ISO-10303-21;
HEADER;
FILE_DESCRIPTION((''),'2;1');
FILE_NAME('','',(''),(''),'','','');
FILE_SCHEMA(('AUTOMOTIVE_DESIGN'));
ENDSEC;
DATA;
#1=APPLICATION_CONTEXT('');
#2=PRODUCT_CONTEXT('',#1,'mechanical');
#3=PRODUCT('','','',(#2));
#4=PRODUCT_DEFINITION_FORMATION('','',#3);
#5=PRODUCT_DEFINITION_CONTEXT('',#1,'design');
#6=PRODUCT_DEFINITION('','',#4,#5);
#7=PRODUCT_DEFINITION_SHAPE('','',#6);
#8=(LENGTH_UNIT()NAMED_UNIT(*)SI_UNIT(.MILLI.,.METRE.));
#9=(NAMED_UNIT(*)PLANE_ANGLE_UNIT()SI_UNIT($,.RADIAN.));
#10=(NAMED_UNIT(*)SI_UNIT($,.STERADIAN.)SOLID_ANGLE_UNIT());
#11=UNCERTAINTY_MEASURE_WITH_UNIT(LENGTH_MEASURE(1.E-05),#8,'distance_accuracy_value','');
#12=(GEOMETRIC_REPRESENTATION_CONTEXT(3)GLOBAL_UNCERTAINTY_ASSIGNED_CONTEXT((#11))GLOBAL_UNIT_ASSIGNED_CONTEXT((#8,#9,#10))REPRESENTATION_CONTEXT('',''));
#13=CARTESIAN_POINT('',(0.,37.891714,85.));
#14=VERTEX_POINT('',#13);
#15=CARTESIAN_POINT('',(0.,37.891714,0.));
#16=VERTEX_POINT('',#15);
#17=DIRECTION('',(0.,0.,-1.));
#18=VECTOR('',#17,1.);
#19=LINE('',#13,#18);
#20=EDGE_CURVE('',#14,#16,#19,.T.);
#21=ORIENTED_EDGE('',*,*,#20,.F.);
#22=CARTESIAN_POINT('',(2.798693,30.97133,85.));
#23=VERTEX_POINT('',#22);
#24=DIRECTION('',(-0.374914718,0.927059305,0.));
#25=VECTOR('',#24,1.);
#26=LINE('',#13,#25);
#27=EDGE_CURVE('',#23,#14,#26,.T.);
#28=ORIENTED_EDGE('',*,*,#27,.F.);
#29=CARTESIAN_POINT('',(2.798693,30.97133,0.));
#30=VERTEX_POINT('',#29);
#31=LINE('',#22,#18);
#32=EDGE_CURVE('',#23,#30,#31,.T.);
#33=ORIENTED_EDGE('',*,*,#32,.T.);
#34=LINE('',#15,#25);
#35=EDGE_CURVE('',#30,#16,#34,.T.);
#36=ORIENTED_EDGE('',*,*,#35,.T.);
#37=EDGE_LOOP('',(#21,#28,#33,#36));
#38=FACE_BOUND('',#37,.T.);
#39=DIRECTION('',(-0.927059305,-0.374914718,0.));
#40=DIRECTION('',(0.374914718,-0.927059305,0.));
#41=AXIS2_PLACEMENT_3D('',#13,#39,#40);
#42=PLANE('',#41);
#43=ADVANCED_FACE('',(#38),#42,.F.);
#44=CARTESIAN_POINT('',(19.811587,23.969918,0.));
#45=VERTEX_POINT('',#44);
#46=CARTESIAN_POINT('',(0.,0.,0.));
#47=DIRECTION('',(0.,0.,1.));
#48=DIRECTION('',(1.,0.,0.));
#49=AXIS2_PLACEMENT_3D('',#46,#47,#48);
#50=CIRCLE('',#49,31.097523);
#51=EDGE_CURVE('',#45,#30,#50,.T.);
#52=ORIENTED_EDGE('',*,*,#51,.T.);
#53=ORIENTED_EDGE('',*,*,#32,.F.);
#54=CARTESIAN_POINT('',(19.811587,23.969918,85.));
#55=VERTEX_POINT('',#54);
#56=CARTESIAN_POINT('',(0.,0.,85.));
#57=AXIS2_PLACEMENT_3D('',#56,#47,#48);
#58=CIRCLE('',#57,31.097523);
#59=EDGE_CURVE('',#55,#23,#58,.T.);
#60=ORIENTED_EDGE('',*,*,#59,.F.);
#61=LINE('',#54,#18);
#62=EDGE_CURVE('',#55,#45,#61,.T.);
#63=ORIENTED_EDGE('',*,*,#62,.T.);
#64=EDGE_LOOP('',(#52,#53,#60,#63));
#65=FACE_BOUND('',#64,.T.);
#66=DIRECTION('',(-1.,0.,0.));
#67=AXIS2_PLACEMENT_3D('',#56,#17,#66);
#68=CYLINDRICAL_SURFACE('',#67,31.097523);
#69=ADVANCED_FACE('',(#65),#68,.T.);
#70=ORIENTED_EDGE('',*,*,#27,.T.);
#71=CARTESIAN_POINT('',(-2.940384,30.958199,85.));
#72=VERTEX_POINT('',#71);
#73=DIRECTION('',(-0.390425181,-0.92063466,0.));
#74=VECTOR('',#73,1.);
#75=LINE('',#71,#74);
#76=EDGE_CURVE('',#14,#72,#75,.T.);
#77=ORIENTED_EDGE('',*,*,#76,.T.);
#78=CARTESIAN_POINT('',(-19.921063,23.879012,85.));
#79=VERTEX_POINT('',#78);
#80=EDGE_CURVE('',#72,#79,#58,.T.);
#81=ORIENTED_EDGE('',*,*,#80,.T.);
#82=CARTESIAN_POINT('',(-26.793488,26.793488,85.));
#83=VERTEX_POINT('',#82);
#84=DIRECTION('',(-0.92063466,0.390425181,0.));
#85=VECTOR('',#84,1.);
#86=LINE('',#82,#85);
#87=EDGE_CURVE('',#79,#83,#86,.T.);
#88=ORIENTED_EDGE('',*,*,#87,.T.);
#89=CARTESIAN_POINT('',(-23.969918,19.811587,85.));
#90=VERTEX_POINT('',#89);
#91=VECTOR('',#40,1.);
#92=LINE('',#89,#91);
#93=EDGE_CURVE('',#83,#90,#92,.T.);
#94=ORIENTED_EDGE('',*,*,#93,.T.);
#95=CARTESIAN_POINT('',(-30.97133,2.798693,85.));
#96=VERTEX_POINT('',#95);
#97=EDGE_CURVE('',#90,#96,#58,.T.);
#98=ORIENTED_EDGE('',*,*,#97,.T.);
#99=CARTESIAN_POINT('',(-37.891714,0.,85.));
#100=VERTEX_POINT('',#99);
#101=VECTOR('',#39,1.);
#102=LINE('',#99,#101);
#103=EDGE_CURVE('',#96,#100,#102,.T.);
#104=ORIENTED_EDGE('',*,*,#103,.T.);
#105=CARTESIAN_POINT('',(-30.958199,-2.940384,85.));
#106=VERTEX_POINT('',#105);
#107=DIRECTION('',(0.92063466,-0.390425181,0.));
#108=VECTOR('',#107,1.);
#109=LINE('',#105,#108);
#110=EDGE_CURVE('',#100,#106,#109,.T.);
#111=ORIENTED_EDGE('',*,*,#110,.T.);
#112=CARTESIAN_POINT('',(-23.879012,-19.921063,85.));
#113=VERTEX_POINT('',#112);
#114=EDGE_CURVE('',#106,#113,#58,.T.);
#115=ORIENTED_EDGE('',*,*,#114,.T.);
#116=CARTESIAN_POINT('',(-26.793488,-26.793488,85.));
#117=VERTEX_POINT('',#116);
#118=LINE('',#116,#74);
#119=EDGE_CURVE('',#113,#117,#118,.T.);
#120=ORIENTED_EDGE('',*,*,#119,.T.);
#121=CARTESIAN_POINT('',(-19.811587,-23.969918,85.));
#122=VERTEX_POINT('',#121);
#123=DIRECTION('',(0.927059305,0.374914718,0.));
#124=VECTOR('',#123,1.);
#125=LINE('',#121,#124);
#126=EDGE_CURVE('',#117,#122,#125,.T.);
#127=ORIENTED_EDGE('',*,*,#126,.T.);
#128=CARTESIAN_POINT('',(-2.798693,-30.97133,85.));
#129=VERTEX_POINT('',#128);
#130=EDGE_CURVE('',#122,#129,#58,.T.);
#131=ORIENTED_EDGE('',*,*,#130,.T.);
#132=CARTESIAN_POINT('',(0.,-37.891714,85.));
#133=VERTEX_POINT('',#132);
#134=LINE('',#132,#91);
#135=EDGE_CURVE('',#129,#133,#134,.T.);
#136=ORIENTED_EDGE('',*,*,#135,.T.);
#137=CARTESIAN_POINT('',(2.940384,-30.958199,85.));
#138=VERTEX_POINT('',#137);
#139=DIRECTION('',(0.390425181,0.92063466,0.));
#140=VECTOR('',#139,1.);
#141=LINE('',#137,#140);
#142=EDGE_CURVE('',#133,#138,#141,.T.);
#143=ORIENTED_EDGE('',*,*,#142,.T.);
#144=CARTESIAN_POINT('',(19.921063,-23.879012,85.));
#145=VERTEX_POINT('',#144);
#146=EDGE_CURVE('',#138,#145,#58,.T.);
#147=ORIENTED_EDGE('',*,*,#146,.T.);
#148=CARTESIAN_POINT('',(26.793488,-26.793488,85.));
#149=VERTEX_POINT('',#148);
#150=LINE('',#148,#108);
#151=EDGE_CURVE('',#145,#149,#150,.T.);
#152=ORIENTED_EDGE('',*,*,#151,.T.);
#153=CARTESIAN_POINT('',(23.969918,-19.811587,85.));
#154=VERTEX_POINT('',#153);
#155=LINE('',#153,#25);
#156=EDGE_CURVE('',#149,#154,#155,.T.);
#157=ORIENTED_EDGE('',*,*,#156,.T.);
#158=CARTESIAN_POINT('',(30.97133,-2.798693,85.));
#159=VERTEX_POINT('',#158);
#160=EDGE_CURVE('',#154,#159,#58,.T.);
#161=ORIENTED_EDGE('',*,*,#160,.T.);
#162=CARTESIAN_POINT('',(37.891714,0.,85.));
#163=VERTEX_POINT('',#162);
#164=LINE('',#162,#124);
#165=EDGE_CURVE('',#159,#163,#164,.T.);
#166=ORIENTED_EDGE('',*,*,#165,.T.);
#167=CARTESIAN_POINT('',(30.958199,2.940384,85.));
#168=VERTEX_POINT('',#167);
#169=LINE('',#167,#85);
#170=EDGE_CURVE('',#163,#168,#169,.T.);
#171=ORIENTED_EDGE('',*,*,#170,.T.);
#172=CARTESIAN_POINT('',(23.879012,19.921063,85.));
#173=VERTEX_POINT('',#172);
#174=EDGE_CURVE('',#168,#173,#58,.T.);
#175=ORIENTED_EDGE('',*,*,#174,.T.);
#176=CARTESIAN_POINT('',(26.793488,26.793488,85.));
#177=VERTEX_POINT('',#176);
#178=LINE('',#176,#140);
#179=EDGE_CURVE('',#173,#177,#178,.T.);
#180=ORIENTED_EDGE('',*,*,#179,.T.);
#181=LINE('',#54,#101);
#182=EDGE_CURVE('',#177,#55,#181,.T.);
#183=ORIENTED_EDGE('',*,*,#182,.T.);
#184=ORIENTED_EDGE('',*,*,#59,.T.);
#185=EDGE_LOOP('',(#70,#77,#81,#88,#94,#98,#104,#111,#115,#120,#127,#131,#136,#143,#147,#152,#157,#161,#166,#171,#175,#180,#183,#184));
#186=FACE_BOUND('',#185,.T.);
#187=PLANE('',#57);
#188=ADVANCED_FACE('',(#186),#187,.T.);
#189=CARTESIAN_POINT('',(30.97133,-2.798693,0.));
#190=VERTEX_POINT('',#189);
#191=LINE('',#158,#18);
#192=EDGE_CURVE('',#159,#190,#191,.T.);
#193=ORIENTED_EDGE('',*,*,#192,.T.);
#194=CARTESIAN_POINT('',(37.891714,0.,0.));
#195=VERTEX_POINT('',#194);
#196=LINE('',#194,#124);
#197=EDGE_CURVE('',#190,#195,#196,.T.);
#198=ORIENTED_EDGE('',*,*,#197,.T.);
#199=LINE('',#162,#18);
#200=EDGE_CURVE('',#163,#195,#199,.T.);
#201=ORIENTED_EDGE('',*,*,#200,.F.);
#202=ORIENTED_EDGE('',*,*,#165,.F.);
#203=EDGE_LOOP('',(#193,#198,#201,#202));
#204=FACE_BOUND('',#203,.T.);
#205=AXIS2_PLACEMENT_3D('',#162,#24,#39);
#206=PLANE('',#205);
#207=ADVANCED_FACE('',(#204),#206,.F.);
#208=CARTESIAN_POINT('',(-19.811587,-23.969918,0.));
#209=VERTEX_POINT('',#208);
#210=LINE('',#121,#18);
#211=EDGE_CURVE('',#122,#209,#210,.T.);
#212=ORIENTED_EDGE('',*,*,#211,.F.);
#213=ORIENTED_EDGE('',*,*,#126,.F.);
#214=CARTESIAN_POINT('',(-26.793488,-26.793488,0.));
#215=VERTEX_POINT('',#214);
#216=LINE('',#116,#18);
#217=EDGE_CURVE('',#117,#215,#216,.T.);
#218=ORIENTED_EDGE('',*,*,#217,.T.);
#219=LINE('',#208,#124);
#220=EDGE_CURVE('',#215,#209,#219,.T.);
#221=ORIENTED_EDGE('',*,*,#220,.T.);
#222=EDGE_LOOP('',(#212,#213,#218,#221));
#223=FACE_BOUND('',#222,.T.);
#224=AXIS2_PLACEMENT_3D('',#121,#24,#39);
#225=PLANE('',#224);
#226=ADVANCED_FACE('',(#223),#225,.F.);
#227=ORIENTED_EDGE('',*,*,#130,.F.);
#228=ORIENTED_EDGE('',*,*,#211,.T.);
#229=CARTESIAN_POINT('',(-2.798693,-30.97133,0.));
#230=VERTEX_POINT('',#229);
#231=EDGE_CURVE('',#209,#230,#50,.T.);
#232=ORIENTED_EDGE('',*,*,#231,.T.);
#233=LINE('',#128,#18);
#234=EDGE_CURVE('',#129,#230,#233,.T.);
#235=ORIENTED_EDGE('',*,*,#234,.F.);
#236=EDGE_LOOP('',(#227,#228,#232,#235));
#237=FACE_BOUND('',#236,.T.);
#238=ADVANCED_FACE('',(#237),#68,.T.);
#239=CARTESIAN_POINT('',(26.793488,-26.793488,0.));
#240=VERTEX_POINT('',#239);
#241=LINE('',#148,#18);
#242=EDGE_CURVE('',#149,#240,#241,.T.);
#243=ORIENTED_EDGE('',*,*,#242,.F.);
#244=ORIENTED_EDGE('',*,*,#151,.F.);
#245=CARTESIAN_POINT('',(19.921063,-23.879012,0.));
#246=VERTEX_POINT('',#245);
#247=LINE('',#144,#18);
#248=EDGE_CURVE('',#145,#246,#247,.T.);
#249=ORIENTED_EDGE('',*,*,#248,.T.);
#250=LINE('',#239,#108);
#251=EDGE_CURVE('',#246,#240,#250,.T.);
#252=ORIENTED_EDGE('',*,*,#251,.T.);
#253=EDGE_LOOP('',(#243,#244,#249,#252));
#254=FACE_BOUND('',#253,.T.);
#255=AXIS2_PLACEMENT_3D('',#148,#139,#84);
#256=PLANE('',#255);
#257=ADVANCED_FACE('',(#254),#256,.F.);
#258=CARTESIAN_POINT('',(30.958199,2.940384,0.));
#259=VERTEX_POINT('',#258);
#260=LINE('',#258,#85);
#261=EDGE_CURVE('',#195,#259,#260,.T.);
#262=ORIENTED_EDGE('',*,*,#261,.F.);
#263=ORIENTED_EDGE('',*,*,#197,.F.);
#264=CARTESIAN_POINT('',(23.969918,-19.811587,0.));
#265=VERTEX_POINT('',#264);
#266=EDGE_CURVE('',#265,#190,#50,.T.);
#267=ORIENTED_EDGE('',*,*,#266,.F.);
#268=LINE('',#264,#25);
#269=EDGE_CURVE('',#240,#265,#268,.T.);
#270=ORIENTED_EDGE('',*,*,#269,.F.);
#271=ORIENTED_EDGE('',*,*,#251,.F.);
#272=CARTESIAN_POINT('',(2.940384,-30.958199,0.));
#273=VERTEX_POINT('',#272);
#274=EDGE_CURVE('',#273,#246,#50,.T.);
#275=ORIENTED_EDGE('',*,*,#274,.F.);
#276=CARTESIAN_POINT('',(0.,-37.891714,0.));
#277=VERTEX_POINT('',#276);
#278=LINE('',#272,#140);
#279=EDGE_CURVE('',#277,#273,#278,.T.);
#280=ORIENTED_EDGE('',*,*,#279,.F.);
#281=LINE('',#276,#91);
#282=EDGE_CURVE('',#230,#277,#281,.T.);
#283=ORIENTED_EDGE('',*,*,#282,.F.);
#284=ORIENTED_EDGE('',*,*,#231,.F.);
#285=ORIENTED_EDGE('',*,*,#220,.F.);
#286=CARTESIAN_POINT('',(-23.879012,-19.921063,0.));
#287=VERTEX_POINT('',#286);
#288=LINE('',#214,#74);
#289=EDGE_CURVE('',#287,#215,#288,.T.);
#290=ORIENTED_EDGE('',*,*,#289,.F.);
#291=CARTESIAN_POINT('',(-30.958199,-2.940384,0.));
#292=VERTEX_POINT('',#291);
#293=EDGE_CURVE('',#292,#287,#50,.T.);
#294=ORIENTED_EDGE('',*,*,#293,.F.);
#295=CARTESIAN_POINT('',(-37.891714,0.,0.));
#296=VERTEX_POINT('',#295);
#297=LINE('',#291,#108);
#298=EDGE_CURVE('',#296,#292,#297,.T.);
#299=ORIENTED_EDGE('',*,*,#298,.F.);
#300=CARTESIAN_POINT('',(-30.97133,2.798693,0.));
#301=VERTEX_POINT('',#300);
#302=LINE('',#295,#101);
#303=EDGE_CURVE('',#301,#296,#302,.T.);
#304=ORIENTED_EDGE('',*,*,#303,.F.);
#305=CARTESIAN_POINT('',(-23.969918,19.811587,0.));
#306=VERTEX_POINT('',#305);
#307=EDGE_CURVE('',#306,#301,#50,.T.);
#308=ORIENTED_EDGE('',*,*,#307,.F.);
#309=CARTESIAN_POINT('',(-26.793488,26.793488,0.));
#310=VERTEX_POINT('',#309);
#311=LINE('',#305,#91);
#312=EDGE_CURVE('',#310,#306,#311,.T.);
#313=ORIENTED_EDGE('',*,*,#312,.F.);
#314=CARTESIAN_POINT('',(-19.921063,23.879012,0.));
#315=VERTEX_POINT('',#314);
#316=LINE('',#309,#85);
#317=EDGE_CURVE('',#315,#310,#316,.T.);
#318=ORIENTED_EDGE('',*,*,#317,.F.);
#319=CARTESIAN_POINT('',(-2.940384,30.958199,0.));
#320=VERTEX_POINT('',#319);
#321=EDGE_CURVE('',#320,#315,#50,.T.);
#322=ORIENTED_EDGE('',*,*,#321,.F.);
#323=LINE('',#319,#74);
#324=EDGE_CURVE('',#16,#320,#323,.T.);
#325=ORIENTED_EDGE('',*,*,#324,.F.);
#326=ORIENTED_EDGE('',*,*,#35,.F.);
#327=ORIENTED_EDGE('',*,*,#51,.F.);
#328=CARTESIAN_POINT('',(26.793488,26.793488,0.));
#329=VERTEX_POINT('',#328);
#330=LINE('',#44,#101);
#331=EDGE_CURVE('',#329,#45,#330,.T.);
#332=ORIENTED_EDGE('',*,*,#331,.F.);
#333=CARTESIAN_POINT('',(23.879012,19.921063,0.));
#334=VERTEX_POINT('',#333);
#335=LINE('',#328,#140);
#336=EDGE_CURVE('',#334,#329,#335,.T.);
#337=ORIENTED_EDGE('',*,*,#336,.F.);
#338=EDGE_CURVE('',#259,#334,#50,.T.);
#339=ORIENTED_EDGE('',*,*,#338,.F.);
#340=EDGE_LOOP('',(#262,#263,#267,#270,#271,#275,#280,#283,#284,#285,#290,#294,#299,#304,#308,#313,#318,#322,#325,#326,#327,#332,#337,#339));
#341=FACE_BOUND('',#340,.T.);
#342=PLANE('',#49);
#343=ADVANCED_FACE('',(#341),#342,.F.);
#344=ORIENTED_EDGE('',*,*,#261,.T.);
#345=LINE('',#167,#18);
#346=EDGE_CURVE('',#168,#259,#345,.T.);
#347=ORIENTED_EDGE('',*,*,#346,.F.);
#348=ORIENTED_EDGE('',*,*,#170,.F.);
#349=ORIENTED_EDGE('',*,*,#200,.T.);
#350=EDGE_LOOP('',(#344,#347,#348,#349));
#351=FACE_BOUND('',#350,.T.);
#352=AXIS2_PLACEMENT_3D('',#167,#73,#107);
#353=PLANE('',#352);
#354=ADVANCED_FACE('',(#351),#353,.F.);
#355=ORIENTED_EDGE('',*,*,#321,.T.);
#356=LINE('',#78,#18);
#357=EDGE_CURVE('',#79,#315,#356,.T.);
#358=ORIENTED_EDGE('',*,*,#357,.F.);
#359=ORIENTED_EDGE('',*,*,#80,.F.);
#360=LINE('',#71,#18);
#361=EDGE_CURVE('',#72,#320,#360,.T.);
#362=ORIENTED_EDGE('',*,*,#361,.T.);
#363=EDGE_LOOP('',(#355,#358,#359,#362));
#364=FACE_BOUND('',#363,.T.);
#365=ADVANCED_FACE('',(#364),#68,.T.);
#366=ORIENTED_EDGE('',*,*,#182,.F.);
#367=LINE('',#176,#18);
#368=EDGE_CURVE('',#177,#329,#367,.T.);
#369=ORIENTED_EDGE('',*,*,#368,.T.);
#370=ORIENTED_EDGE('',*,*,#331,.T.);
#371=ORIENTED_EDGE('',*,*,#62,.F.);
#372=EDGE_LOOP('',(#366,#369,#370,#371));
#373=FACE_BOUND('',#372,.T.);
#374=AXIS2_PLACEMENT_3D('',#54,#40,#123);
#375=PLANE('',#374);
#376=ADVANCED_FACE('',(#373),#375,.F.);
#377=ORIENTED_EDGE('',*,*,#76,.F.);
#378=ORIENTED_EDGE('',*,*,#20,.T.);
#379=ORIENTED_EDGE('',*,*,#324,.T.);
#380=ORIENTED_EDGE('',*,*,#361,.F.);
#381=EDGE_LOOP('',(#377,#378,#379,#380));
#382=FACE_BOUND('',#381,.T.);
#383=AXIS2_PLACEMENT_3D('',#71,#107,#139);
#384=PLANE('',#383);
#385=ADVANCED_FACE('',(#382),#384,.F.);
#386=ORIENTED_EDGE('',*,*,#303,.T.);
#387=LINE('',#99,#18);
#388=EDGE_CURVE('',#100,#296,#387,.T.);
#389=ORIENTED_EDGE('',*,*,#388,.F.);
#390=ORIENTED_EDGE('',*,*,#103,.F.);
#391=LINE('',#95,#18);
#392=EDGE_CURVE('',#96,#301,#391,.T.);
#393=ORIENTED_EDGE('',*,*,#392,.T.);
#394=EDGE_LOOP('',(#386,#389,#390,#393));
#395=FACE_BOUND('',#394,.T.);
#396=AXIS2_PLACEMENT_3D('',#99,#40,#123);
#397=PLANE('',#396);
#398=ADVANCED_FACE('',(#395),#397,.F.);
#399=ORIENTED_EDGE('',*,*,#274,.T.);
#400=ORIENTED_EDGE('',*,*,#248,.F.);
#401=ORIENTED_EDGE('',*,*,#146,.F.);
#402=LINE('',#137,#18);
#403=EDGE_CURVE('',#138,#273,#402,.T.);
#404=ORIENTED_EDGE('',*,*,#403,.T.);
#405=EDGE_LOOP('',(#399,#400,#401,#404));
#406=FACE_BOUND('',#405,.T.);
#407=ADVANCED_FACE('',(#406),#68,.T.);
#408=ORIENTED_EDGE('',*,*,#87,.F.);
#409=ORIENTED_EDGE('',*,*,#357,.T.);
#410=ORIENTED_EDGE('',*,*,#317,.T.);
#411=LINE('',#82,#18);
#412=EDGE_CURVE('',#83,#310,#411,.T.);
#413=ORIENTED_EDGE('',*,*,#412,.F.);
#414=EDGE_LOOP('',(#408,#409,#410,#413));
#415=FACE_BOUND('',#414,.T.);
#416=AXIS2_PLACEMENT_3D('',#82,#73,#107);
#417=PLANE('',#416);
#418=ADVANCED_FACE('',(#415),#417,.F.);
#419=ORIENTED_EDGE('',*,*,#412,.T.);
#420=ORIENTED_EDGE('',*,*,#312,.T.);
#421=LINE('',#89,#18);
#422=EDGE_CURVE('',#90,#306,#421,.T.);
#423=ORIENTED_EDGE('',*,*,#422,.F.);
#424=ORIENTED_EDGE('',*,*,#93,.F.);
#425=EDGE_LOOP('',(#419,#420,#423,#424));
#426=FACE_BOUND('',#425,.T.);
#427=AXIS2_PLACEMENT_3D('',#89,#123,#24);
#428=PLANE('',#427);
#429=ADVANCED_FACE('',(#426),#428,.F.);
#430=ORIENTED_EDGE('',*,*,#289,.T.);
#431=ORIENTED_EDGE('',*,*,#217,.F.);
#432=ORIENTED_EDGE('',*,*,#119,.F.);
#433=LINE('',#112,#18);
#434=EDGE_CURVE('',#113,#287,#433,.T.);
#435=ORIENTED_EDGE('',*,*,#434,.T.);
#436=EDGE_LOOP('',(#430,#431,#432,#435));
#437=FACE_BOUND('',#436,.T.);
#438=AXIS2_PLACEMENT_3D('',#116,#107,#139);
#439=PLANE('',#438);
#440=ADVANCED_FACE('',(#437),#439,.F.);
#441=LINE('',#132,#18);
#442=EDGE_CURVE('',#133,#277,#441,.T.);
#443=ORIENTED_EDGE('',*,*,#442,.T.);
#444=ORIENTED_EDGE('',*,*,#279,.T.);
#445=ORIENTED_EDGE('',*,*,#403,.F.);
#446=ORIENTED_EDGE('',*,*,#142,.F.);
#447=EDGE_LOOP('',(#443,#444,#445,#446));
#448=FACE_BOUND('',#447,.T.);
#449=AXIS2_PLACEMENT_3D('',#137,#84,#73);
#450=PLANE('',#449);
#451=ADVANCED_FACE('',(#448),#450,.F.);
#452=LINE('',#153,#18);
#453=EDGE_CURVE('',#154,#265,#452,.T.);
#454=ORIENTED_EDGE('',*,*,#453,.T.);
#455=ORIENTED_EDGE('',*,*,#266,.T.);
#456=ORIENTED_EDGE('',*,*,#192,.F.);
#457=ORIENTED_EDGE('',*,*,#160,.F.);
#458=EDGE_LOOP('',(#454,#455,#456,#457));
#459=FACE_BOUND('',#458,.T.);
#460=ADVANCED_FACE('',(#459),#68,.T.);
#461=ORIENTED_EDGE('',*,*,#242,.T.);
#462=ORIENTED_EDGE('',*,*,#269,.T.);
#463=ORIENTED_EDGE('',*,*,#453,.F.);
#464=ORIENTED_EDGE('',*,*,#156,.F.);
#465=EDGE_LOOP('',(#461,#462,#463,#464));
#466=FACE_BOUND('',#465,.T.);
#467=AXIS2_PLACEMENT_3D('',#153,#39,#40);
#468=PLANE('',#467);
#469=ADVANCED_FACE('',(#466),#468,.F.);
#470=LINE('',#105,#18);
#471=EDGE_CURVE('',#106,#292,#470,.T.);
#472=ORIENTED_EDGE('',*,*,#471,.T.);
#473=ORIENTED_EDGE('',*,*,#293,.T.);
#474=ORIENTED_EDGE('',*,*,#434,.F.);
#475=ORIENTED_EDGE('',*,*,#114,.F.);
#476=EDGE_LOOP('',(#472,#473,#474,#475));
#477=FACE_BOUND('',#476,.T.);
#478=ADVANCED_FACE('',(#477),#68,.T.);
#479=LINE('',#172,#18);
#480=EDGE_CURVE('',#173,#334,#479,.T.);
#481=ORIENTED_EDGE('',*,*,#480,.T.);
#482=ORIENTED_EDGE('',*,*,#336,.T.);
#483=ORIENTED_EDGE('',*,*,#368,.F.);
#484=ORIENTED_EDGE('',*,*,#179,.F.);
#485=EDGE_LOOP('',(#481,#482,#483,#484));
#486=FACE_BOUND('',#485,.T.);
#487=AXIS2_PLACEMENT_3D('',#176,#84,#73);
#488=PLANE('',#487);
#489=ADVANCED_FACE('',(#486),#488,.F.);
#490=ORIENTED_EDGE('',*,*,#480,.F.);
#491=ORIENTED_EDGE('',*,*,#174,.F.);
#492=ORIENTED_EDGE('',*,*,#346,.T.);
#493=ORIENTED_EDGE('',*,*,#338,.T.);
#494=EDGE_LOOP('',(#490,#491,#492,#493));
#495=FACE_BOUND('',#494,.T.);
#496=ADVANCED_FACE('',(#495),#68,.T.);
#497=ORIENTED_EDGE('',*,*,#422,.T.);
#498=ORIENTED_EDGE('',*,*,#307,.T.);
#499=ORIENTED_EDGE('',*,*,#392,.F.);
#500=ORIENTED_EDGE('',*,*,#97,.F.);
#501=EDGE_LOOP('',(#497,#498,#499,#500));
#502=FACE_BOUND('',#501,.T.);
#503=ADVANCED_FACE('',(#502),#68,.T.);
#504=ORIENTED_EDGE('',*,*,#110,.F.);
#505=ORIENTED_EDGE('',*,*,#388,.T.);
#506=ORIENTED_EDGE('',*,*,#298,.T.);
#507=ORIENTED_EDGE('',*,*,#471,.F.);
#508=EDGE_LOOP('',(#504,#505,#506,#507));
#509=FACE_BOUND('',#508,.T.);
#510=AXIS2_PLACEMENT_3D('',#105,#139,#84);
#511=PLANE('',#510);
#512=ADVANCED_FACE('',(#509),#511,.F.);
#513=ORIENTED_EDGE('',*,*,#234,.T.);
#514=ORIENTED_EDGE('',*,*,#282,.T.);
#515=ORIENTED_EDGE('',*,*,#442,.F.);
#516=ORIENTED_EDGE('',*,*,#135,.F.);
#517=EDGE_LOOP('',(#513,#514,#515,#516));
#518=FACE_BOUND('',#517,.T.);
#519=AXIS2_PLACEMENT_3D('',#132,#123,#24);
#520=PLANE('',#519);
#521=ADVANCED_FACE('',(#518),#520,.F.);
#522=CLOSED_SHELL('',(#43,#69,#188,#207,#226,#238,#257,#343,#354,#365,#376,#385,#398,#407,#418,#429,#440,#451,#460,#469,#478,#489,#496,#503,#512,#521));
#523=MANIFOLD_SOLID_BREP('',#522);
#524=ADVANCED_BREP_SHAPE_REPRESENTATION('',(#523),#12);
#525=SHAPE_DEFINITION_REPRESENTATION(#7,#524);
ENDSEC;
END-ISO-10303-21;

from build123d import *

# Parameters (mm, degrees)
SALIENTE_EXTRUIR1_DEPTH = 85


with BuildPart() as part:
    # Croquis1 → Saliente-Extruir1 (new body)
    with BuildSketch(Plane.XY):
        with BuildLine():
            Line((-2.940383589, 30.958198867), (0, 37.891714368))
            Line((0, 37.891714368), (2.798692732, 30.971329512))
            ThreePointArc((2.798692732, 30.971329512), (11.834742576, 28.757517294), (19.811587178, 23.969917527))
            Line((19.811587178, 23.969917527), (26.79348818, 26.79348818))
            Line((26.79348818, 26.79348818), (23.879011729, 19.921062511))
            ThreePointArc((23.879011729, 19.921062511), (28.703062218, 11.96620876), (30.958198867, 2.940383589))
            Line((30.958198867, 2.940383589), (37.891714368, 0))
            Line((37.891714368, 0), (30.971329512, -2.798692732))
            ThreePointArc((30.971329512, -2.798692732), (28.757517294, -11.834742576), (23.969917527, -19.811587178))
            Line((23.969917527, -19.811587178), (26.79348818, -26.79348818))
            Line((26.79348818, -26.79348818), (19.921062511, -23.879011729))
            ThreePointArc((19.921062511, -23.879011729), (11.96620876, -28.703062218), (2.940383589, -30.958198867))
            Line((2.940383589, -30.958198867), (0, -37.891714368))
            Line((0, -37.891714368), (-2.798692732, -30.971329512))
            ThreePointArc((-2.798692732, -30.971329512), (-11.834742576, -28.757517294), (-19.811587178, -23.969917527))
            Line((-19.811587178, -23.969917527), (-26.79348818, -26.79348818))
            Line((-26.79348818, -26.79348818), (-23.879011729, -19.921062511))
            ThreePointArc((-23.879011729, -19.921062511), (-28.703062218, -11.96620876), (-30.958198867, -2.940383589))
            Line((-30.958198867, -2.940383589), (-37.891714368, 0))
            Line((-37.891714368, 0), (-30.971329512, 2.798692732))
            ThreePointArc((-30.971329512, 2.798692732), (-28.757517294, 11.834742576), (-23.969917527, 19.811587178))
            Line((-23.969917527, 19.811587178), (-26.79348818, 26.79348818))
            Line((-26.79348818, 26.79348818), (-19.921062511, 23.879011729))
            ThreePointArc((-19.921062511, 23.879011729), (-11.96620876, 28.703062218), (-2.940383589, 30.958198867))
        make_face()
    extrude(amount=SALIENTE_EXTRUIR1_DEPTH)


solid = part.part
